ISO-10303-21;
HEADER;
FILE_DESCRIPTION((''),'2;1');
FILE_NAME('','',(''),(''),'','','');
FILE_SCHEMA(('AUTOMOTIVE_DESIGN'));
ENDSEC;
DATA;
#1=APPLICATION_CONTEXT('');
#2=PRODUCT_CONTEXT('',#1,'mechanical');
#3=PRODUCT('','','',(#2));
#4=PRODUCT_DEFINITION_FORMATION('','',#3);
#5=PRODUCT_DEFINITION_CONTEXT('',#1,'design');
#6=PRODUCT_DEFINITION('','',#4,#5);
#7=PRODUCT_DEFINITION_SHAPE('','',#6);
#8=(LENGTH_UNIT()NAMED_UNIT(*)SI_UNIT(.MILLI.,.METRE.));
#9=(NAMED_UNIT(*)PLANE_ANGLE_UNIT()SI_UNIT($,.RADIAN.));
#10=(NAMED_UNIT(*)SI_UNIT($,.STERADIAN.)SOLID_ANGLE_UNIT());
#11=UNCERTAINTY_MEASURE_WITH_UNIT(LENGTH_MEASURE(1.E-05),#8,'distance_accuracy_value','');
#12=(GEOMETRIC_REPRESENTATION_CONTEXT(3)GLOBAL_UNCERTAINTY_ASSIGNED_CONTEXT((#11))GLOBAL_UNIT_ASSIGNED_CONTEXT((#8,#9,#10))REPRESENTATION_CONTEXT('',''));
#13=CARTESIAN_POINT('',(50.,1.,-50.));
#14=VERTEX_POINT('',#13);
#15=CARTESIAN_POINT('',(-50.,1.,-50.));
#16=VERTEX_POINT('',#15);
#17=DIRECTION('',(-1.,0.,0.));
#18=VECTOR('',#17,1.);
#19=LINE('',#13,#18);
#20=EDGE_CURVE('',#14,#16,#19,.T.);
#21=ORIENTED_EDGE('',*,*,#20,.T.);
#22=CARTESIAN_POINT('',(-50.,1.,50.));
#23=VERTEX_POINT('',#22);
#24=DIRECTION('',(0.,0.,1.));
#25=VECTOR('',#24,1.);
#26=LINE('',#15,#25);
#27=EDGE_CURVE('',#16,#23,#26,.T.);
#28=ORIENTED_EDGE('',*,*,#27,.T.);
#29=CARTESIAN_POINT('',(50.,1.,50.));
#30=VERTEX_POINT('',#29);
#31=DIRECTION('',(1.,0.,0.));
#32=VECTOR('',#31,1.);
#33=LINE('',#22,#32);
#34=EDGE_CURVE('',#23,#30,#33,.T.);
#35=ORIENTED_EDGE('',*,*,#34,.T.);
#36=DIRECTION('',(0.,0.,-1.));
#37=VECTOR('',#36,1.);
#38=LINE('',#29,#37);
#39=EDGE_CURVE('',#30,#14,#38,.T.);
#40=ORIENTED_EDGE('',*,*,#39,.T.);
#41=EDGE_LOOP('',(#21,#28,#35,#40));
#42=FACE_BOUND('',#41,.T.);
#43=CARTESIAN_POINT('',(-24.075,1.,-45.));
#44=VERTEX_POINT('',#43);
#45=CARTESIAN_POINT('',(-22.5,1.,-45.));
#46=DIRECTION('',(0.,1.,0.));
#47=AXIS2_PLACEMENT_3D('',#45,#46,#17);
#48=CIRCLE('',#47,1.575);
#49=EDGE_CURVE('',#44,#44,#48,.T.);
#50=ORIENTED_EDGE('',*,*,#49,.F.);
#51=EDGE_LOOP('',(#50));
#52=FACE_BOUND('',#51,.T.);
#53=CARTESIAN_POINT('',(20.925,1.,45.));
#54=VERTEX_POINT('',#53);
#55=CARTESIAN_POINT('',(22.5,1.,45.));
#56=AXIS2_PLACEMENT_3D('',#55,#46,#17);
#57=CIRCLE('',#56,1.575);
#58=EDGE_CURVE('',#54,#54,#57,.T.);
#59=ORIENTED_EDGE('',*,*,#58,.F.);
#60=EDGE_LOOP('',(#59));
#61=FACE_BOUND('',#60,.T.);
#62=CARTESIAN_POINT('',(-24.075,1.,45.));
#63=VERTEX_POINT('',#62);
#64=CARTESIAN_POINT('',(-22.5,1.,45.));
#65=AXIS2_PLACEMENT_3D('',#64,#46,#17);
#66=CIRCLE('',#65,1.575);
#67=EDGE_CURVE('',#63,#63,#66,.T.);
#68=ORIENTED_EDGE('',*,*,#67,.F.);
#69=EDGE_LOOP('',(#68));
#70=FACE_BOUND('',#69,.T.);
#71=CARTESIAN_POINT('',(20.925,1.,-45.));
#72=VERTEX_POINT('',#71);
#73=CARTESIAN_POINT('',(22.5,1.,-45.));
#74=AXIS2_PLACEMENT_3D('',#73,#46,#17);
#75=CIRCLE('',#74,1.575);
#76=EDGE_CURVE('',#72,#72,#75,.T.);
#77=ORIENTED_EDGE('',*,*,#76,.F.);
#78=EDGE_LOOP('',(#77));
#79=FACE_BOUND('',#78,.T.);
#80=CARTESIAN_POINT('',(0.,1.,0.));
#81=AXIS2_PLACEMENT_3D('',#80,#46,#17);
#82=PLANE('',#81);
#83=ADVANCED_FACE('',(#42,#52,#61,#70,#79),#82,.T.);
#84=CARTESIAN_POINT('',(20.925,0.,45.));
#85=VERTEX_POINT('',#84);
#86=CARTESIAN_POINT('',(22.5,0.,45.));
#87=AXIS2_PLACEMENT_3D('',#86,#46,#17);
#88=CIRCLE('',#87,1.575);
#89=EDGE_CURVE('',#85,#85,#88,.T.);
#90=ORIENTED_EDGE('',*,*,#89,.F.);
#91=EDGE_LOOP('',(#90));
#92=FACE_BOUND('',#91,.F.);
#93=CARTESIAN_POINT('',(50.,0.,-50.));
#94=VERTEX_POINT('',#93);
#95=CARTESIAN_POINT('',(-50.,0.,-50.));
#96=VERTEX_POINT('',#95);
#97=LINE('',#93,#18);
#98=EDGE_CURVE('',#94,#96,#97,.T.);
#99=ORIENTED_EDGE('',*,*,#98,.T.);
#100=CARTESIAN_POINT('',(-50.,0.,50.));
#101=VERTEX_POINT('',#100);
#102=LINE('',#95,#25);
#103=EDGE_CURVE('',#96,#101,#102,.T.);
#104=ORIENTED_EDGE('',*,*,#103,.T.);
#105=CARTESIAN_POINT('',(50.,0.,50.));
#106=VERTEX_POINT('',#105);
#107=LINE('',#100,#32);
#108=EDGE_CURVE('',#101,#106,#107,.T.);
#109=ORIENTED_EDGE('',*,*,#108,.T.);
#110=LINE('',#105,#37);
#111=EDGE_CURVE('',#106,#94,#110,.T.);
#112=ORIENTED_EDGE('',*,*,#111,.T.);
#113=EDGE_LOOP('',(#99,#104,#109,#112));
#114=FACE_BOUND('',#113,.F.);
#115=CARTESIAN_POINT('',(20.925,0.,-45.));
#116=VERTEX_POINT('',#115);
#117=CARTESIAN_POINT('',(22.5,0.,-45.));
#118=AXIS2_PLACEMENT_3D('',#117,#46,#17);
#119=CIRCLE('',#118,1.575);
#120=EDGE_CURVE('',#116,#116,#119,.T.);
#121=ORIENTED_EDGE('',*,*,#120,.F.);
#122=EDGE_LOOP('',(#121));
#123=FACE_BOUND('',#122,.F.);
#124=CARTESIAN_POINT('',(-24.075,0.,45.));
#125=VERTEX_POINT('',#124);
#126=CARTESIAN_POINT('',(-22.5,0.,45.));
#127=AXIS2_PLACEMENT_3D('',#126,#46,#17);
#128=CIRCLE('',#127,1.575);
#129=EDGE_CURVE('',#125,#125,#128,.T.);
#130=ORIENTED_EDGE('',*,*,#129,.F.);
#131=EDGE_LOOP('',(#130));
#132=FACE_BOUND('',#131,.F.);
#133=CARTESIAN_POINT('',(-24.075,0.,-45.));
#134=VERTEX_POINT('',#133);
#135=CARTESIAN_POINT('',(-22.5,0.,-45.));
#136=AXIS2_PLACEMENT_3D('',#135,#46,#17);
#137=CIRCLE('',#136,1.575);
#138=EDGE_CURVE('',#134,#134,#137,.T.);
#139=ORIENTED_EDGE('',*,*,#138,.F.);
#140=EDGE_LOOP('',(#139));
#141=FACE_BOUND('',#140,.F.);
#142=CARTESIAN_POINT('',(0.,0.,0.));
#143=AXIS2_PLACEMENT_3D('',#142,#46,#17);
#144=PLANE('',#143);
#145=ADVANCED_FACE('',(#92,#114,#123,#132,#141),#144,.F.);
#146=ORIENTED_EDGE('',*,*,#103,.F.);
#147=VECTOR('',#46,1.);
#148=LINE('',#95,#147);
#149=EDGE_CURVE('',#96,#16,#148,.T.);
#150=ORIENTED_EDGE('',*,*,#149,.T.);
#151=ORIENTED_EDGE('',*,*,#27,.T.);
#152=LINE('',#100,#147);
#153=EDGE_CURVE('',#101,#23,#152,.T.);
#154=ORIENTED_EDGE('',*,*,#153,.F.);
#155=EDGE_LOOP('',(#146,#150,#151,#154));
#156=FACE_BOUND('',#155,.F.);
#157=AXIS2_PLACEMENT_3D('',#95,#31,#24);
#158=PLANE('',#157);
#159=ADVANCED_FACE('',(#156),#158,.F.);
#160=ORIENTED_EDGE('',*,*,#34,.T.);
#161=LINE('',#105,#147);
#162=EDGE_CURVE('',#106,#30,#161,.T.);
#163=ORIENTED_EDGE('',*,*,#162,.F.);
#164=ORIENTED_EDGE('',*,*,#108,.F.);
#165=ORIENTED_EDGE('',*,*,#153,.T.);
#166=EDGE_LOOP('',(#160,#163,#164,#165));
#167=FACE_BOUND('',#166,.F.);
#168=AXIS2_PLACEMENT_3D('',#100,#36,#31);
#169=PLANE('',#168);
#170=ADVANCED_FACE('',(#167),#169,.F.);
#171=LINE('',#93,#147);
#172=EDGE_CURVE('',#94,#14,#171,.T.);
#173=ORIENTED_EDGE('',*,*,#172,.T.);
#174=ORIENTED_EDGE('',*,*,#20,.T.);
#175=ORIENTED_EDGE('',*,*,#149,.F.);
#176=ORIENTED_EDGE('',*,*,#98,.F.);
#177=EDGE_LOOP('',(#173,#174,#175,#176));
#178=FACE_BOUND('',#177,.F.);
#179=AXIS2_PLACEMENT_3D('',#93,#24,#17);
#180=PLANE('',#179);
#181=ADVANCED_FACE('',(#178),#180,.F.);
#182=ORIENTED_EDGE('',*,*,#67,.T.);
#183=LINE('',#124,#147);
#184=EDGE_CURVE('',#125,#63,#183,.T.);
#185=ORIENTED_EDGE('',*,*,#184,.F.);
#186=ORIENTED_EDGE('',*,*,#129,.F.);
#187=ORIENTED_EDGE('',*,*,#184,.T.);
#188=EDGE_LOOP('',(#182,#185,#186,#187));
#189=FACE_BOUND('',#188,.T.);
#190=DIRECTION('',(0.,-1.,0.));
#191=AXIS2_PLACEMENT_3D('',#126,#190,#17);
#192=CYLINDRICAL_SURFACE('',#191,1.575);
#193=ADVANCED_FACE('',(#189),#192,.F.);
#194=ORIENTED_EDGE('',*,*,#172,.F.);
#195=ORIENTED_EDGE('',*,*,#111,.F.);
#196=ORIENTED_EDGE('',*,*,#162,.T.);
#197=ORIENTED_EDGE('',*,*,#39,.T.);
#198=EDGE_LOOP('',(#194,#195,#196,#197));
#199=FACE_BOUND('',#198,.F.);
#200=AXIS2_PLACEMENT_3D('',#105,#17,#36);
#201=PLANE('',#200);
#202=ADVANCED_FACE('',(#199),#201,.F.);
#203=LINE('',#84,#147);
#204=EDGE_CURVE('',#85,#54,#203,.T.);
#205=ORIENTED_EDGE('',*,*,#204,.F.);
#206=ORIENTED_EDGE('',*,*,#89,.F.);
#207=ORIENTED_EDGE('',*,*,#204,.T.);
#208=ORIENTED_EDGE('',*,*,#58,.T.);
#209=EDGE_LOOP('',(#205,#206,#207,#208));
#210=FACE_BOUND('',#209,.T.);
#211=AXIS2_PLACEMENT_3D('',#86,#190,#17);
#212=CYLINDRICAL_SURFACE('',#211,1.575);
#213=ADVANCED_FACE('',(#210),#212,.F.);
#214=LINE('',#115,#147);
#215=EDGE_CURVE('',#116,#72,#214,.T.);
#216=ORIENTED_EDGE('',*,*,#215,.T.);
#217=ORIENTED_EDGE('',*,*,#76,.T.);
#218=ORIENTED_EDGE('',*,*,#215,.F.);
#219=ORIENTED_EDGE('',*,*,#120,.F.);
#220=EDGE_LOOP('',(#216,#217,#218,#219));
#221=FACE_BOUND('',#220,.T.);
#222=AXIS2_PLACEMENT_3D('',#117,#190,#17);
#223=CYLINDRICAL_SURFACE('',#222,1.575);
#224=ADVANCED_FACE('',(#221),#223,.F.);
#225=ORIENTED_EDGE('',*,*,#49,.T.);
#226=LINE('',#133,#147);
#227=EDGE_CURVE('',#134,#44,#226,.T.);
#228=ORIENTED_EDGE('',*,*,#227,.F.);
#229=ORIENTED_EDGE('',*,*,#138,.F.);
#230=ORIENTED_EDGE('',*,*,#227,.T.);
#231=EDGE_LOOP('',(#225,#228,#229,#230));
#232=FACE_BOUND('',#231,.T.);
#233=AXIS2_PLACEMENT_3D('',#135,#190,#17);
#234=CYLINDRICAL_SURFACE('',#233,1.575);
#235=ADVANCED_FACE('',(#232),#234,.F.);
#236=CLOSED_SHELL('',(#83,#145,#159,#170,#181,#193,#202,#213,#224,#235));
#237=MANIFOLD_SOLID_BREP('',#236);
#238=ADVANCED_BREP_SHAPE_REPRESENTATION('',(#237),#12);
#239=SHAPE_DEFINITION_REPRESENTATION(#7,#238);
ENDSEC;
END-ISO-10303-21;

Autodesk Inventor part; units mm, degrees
ref_plane "YZ Plane" through (0, 0, 0) normal (1, 0, 0) x (0, 1, 0)
ref_plane "XZ Plane" through (0, 0, 0) normal (0, 1, 0) x (-1, 0, 0)
ref_plane "XY Plane" through (0, 0, 0) normal (0, 0, 1) x (1, 0, 0)
sketch "Sketch3" plane through (0, 0, 0) normal (0, 1, 0) x (-1, 0, 0)
  line L0 (50, 50) -> (-50, 50)
  line L1 (-50, 50) -> (-50, -50)
  line L2 (-50, -50) -> (50, -50)
  line L3 (50, -50) -> (50, 50)
  line L4 (-50, -45) -> (50, -45) construction
  line L5 (-50, 45) -> (50, 45) construction
  line L6 (22.5, 50) -> (22.5, -50) construction
  line L7 (-22.5, 50) -> (-22.5, -50) construction
  circle A0 centre (-22.5, -45) radius 1.575
  circle A1 centre (-22.5, 45) radius 1.575
  circle A2 centre (22.5, 45) radius 1.575
  circle A3 centre (22.5, -45) radius 1.575
  point P0 (0, 0)
  dimension "d4" = 100
  dimension "d5" = 100
  dimension "d6" = 5
  dimension "d7" = 5
  dimension "d8" = 27.5
  dimension "d9" = 27.5
  dimension "d10" = 3.15
  dimension "d11" = 3.15
  dimension "d12" = 3.15
  dimension "d13" = 3.15
extrude "Extrusion1" add sketch "Sketch3" along normal blind 1
properties part number "CompCellScopeArray"
